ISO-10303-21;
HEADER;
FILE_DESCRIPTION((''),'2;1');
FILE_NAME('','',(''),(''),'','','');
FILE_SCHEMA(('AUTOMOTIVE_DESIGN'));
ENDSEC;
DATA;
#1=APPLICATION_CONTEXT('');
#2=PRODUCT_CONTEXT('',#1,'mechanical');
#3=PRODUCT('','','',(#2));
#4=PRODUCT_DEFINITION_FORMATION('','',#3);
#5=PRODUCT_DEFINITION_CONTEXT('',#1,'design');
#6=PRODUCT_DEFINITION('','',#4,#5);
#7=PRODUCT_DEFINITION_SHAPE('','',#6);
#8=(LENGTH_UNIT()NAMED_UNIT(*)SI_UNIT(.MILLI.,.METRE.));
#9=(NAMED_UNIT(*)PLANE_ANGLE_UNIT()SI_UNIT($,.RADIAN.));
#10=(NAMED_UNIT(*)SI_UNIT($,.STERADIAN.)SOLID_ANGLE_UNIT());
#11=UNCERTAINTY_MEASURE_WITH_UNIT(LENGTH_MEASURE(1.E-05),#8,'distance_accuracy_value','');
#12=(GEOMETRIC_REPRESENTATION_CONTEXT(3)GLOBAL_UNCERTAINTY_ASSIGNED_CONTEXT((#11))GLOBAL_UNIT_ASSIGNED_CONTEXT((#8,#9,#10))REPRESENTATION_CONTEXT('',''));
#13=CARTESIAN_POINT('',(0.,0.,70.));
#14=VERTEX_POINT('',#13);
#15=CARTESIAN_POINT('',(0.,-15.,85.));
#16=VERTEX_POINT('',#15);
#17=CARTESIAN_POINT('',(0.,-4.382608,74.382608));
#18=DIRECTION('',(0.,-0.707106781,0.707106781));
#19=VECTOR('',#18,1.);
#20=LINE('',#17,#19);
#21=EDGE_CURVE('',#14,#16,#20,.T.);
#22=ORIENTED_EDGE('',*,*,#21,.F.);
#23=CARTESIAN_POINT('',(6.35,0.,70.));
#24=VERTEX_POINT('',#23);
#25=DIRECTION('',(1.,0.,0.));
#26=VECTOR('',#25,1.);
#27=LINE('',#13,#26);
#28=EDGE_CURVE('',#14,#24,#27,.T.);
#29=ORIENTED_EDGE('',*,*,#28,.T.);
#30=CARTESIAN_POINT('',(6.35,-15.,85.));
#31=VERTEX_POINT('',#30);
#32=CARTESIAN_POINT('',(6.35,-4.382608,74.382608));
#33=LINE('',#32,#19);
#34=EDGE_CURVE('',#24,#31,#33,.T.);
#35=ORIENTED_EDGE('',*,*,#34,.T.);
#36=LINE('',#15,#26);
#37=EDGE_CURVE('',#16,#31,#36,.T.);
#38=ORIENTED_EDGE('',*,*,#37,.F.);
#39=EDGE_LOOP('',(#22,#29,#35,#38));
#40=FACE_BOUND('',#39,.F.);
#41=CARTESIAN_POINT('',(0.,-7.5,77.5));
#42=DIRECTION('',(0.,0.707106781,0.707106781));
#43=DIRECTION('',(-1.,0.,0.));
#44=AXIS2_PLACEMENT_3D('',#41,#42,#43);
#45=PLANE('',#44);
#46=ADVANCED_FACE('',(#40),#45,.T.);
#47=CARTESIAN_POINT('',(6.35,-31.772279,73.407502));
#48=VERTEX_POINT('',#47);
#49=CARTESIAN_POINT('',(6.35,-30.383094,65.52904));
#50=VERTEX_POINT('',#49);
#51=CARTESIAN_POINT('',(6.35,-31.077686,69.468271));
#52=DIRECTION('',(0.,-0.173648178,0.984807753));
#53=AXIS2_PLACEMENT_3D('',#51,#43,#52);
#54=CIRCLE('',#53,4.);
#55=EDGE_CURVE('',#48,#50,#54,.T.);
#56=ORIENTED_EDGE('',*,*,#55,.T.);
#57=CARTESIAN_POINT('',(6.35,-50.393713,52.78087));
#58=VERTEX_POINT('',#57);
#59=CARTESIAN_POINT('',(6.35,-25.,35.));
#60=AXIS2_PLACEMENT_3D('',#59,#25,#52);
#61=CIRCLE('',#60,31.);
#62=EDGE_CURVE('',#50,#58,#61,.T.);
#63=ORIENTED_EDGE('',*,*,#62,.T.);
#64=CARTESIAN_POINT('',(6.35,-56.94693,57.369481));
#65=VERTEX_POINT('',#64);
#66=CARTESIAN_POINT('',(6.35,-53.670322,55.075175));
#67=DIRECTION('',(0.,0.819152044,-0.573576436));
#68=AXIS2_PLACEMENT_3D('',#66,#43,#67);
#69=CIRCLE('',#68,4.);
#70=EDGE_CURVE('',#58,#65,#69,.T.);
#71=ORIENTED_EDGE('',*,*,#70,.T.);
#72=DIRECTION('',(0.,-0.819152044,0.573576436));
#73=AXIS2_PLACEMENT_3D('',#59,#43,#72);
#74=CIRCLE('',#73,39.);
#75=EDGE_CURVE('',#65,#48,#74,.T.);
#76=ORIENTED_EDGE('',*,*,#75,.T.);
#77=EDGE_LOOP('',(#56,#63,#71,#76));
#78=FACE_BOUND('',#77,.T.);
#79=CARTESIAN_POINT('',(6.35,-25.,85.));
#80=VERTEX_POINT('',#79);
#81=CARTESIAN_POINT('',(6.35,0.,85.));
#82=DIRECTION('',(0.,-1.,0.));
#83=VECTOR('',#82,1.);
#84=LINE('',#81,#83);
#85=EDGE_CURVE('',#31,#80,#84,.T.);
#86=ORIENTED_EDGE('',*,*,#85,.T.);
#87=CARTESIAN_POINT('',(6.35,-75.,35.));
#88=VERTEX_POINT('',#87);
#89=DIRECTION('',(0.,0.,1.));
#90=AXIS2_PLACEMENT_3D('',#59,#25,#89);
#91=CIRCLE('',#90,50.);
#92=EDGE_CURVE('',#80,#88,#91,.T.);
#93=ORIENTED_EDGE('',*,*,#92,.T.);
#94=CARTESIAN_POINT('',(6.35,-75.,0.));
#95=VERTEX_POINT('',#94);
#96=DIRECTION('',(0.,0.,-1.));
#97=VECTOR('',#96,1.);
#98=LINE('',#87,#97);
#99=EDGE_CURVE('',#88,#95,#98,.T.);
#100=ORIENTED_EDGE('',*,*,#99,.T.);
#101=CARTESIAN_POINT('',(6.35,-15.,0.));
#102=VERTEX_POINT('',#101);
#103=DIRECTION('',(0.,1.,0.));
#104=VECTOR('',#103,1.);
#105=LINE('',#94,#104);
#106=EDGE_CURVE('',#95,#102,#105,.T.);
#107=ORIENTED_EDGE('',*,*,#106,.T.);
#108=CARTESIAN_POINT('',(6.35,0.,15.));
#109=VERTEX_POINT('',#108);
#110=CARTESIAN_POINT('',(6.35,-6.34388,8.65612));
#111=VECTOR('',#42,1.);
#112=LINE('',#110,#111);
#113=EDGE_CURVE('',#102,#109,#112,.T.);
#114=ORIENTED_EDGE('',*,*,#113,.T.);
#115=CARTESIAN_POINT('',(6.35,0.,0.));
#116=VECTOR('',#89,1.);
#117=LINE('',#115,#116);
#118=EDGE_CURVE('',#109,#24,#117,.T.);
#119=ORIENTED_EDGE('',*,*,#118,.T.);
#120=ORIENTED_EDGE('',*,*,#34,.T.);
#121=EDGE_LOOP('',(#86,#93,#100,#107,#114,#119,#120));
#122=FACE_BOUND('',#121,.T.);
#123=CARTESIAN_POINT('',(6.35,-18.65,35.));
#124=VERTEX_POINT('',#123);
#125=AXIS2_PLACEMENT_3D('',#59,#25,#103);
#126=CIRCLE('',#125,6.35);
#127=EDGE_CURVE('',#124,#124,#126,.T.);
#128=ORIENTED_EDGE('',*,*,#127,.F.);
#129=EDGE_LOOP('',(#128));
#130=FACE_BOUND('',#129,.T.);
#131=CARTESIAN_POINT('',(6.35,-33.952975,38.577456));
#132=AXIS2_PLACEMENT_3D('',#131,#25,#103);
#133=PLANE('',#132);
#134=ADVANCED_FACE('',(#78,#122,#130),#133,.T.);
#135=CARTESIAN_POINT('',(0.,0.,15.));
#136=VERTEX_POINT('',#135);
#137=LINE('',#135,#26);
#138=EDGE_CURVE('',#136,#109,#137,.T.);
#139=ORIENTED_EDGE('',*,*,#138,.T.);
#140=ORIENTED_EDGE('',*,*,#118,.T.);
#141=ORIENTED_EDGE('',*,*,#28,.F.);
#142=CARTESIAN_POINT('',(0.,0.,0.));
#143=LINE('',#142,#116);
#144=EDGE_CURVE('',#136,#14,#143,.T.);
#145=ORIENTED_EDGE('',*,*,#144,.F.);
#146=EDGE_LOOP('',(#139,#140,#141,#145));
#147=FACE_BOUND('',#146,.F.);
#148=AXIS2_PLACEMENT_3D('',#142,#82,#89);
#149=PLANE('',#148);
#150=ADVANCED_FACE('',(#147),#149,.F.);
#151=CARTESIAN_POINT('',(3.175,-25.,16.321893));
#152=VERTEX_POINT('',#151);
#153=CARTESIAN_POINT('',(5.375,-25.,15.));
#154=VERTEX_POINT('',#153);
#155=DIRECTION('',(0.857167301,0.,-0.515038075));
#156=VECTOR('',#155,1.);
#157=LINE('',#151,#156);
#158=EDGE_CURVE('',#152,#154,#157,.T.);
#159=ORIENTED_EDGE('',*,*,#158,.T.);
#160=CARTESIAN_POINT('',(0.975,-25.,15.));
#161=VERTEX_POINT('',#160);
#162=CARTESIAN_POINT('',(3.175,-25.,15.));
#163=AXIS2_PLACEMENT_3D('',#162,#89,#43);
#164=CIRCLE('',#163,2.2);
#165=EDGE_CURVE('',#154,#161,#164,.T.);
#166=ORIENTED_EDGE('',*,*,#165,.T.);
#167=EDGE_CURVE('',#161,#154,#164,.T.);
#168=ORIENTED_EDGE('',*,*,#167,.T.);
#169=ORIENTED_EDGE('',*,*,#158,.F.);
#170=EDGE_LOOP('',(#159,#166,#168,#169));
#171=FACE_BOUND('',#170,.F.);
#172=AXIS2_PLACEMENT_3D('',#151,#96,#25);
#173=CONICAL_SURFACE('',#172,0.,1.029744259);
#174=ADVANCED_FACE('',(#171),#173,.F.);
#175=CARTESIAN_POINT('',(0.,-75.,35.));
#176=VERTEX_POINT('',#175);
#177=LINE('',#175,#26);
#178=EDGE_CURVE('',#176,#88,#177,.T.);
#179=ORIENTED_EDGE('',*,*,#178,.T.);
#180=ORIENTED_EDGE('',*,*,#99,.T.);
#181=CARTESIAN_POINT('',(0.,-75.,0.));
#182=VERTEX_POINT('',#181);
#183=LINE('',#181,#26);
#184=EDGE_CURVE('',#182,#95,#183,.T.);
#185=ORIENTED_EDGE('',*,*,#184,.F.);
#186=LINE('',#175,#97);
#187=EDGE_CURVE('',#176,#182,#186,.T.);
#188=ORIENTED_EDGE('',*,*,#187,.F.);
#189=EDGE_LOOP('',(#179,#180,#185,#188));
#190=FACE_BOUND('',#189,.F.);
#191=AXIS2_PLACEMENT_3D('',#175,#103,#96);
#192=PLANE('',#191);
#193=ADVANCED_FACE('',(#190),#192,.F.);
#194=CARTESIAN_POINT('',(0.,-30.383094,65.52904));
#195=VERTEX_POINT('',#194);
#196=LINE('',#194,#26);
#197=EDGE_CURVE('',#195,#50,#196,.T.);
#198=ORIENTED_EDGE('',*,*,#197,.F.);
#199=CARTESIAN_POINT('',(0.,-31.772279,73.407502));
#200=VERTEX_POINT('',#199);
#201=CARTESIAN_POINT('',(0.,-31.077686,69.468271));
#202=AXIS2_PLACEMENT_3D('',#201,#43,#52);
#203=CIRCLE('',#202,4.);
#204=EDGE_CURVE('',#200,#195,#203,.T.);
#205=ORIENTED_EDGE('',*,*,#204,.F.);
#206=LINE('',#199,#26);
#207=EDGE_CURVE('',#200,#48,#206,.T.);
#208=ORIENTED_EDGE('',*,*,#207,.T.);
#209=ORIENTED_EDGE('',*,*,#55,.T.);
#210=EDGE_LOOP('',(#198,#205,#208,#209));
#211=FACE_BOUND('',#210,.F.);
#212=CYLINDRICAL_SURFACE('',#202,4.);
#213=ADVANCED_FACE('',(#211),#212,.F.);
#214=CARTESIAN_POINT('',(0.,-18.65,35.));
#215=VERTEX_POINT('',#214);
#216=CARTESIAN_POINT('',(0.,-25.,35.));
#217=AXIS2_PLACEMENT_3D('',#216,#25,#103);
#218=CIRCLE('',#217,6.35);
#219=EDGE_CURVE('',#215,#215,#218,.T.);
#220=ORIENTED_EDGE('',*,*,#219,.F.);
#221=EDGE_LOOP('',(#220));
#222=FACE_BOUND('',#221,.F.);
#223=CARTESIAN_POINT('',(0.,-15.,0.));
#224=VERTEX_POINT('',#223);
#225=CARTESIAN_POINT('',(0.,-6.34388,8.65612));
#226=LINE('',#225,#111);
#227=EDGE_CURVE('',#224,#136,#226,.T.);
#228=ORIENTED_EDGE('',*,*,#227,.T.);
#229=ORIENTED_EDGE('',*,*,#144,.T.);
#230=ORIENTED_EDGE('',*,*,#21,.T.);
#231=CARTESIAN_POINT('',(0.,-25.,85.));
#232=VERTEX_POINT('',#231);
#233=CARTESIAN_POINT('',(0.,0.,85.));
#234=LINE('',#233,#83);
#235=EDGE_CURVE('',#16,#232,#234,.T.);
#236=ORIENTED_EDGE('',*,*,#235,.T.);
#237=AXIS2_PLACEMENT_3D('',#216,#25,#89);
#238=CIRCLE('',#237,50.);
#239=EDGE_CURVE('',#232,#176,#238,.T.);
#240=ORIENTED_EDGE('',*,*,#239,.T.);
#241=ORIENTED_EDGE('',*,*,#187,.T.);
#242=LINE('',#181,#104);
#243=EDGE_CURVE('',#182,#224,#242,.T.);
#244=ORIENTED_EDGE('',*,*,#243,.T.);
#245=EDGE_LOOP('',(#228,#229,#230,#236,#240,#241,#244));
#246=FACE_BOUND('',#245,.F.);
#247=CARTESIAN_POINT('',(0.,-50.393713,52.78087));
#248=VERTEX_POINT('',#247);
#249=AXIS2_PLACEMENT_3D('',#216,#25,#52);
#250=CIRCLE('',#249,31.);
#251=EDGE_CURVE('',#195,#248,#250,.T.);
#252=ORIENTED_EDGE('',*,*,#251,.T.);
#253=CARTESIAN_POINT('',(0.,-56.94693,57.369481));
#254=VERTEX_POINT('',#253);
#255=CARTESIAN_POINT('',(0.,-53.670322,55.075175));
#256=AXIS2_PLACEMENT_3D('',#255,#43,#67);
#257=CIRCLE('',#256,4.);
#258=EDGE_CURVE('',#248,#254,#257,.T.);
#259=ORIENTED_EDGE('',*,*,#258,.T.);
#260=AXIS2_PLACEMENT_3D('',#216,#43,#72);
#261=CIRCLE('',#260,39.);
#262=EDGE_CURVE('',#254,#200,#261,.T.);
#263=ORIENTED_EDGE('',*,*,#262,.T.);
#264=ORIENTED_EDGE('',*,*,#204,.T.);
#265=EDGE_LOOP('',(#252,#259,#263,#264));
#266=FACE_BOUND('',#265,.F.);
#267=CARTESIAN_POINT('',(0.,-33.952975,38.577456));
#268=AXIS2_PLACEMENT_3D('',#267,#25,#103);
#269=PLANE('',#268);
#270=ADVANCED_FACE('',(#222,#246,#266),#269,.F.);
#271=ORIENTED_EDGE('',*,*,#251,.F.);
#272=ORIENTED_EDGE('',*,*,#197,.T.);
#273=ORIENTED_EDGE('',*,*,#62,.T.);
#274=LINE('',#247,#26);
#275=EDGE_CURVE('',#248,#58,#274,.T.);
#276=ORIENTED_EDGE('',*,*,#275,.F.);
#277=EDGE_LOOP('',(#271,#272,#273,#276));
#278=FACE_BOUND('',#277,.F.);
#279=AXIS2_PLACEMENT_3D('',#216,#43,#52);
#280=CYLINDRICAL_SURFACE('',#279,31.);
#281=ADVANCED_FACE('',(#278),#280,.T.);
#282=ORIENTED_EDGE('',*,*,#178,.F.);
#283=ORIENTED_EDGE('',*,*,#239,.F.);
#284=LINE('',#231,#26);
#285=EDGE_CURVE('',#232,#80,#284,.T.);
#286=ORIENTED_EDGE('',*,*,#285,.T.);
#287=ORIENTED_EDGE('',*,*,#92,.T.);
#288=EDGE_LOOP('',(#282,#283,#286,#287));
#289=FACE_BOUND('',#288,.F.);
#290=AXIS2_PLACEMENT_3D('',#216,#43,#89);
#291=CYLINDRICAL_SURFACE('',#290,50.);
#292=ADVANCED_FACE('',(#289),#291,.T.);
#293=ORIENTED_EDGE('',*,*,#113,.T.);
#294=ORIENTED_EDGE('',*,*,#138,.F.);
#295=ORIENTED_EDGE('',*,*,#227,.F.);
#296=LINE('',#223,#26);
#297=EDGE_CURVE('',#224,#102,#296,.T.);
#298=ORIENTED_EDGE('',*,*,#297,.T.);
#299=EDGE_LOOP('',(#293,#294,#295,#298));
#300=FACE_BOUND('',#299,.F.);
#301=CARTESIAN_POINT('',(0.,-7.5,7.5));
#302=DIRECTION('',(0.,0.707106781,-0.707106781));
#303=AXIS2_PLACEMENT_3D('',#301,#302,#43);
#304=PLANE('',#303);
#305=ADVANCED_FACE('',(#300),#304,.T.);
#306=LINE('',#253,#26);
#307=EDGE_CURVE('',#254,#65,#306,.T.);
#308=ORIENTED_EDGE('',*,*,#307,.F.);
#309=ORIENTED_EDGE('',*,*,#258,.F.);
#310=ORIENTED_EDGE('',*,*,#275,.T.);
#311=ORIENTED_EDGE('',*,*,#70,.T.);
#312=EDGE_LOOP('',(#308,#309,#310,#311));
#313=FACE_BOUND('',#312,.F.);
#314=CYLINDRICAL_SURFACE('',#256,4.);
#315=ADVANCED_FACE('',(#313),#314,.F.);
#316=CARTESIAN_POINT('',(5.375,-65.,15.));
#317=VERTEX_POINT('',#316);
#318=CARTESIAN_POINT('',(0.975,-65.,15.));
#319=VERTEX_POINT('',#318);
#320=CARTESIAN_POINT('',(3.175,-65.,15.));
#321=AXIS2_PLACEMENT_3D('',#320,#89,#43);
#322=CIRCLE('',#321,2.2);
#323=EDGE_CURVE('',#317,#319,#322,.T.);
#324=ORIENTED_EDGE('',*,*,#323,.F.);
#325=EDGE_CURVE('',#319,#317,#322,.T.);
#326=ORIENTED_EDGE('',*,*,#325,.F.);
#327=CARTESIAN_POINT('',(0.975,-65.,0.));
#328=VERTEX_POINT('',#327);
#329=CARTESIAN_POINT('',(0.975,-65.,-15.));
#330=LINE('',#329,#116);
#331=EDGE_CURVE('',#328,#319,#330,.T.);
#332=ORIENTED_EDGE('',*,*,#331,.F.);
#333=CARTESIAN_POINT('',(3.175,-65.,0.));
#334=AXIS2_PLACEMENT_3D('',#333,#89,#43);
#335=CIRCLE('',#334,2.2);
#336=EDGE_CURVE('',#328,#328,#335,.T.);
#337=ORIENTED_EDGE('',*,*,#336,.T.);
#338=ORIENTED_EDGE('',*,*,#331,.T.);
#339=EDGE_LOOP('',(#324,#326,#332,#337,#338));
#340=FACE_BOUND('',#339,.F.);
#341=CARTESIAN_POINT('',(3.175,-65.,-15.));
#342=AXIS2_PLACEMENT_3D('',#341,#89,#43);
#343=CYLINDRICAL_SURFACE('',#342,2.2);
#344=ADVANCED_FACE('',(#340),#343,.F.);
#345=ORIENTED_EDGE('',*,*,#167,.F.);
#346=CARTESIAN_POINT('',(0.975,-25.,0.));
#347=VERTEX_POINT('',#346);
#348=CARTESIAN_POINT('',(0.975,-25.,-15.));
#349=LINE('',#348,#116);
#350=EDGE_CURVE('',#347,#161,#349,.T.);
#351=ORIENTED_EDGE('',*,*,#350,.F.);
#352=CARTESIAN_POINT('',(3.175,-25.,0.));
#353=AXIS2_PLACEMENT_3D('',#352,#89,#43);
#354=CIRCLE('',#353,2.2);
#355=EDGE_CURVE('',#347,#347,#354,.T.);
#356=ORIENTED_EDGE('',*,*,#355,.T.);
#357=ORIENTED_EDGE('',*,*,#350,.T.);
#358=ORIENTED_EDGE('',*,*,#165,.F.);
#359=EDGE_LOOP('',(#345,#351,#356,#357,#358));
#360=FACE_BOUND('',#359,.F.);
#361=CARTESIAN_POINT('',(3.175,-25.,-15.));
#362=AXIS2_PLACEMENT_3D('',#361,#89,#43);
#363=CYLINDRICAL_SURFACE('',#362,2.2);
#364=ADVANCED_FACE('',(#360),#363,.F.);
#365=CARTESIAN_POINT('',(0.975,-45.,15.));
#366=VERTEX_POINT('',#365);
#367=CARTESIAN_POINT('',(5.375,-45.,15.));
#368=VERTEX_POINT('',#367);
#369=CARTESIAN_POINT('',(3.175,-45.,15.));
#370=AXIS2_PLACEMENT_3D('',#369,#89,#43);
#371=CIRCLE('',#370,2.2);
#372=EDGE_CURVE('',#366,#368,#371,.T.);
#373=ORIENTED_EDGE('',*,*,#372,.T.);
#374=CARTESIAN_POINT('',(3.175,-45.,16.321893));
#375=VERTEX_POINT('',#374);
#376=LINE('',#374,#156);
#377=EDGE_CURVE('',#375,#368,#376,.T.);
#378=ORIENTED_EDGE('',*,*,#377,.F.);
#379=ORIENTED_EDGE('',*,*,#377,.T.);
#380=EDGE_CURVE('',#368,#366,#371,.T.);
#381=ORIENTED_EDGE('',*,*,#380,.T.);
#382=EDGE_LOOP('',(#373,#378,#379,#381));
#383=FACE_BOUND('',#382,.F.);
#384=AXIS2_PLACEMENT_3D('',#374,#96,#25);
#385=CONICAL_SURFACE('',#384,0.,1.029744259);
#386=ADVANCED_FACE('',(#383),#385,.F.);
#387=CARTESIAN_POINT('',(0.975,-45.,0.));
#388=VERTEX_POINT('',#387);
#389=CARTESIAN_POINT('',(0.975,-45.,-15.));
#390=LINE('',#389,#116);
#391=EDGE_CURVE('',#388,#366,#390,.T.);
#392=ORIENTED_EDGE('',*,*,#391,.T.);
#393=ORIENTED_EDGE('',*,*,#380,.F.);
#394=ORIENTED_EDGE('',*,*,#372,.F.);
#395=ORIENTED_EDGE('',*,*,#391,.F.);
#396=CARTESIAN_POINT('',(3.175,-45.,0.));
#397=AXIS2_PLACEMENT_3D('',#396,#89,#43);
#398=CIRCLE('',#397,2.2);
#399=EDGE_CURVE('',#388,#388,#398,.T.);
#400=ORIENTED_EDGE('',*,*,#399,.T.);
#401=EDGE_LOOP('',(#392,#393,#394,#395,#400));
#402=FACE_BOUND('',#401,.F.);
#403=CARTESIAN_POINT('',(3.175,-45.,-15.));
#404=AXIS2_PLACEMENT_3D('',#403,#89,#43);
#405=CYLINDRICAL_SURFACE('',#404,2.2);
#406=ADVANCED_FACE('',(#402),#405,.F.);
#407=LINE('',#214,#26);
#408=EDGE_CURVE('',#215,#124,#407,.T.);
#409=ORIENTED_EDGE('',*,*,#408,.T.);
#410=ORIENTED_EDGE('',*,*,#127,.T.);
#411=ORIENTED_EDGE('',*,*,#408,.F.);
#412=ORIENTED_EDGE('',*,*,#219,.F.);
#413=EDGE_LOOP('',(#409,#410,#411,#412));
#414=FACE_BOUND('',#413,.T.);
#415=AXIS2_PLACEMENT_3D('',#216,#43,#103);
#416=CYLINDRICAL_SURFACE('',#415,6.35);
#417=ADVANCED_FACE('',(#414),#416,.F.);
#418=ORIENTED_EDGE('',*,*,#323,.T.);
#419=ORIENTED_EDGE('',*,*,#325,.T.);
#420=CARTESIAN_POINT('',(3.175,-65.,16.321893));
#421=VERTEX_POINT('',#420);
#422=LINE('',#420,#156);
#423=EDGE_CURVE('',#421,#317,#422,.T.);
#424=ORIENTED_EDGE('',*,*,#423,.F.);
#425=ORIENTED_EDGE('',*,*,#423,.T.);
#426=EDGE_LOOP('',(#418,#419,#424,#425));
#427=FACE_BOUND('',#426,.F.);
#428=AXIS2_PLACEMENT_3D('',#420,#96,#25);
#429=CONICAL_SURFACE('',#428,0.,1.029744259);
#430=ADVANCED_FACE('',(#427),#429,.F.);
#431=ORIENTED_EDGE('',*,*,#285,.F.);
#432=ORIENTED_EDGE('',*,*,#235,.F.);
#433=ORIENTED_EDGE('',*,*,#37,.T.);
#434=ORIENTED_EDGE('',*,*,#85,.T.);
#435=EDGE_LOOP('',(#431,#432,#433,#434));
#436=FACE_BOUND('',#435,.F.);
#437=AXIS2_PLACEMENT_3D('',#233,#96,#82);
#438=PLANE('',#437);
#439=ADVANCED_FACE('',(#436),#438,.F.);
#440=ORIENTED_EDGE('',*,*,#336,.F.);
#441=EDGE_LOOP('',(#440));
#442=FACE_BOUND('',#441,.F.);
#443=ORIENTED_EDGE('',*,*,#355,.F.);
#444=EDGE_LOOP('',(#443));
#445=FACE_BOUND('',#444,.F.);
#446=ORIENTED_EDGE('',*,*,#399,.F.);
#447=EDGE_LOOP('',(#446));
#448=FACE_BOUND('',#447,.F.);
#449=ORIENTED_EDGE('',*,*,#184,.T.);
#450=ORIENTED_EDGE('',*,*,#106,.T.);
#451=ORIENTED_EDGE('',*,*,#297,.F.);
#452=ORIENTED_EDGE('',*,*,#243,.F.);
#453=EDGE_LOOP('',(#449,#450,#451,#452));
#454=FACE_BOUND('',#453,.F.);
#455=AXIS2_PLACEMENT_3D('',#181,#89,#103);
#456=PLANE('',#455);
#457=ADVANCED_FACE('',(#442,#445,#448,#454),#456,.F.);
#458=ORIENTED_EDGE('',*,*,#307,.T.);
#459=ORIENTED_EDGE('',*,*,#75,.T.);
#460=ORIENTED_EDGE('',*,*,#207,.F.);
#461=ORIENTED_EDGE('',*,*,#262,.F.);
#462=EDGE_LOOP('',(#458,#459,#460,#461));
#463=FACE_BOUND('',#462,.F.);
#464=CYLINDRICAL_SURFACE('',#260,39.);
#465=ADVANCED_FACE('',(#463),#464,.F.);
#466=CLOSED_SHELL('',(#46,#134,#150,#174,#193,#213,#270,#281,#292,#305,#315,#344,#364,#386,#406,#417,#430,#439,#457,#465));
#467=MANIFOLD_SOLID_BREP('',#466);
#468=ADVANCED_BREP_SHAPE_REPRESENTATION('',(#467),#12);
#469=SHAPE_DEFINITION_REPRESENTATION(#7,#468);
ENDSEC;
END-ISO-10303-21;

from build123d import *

# Parameters (mm, degrees)
F0_R     = 6.35
F1_DEPTH = 6.35
F2_SIZE  = 15
F4_D     = 4.4
F4_DEPTH = 15
F4_TIP   = 1.3218933619


with BuildPart() as f1:
    # F0 (on Right) → F1 (new body)
    with BuildSketch(Plane.YZ):
        with BuildLine():
            Line((-75, 0), (0, 0))
            Line((0, 0), (0, 85))
            Line((0, 85), (-25, 85))
            ThreePointArc((-25, 85), (-60.3553390593, 70.3553390593), (-75, 35))
            Line((-75, 35), (-75, 0))
        make_face()
        with Locations((-25, 35)):
            Circle(F0_R, mode=Mode.SUBTRACT)
        with BuildLine():
            ThreePointArc((-50.393713373, 52.7808695269), (-55.9646272955, 51.7985670951), (-56.9469297273, 57.3694810177))
            ThreePointArc((-56.9469297273, 57.3694810177), (-45.9546847255, 67.8922663867), (-31.772278929, 73.4075023675))
            ThreePointArc((-31.772278929, 73.4075023675), (-27.1384552063, 70.1628640661), (-30.3830935077, 65.5290403434))
            ThreePointArc((-30.3830935077, 65.5290403434), (-41.6562878588, 61.1451348202), (-50.393713373, 52.7808695269))
        make_face(mode=Mode.SUBTRACT)
    extrude(amount=F1_DEPTH)

    # F2
    f2_edges = [f1.edges().sort_by_distance(p)[0] for p in [
        (3.175, 0, 85),
        (3.175, 0, 0),
    ]]
    chamfer(f2_edges, length=F2_SIZE)

    # F4
    with Locations(Plane(origin=(0, 0, 0), x_dir=(1, 0, 0), z_dir=(0, 0, -1))):
        with Locations((3.175, 65), (3.175, 45), (3.175, 25)):
            Hole(F4_D / 2, depth=F4_DEPTH)
            with Locations((0, 0, -(F4_DEPTH + F4_TIP / 2))):  # 118° drill point
                Cone(0, F4_D / 2, F4_TIP, mode=Mode.SUBTRACT)


solid = f1.part
